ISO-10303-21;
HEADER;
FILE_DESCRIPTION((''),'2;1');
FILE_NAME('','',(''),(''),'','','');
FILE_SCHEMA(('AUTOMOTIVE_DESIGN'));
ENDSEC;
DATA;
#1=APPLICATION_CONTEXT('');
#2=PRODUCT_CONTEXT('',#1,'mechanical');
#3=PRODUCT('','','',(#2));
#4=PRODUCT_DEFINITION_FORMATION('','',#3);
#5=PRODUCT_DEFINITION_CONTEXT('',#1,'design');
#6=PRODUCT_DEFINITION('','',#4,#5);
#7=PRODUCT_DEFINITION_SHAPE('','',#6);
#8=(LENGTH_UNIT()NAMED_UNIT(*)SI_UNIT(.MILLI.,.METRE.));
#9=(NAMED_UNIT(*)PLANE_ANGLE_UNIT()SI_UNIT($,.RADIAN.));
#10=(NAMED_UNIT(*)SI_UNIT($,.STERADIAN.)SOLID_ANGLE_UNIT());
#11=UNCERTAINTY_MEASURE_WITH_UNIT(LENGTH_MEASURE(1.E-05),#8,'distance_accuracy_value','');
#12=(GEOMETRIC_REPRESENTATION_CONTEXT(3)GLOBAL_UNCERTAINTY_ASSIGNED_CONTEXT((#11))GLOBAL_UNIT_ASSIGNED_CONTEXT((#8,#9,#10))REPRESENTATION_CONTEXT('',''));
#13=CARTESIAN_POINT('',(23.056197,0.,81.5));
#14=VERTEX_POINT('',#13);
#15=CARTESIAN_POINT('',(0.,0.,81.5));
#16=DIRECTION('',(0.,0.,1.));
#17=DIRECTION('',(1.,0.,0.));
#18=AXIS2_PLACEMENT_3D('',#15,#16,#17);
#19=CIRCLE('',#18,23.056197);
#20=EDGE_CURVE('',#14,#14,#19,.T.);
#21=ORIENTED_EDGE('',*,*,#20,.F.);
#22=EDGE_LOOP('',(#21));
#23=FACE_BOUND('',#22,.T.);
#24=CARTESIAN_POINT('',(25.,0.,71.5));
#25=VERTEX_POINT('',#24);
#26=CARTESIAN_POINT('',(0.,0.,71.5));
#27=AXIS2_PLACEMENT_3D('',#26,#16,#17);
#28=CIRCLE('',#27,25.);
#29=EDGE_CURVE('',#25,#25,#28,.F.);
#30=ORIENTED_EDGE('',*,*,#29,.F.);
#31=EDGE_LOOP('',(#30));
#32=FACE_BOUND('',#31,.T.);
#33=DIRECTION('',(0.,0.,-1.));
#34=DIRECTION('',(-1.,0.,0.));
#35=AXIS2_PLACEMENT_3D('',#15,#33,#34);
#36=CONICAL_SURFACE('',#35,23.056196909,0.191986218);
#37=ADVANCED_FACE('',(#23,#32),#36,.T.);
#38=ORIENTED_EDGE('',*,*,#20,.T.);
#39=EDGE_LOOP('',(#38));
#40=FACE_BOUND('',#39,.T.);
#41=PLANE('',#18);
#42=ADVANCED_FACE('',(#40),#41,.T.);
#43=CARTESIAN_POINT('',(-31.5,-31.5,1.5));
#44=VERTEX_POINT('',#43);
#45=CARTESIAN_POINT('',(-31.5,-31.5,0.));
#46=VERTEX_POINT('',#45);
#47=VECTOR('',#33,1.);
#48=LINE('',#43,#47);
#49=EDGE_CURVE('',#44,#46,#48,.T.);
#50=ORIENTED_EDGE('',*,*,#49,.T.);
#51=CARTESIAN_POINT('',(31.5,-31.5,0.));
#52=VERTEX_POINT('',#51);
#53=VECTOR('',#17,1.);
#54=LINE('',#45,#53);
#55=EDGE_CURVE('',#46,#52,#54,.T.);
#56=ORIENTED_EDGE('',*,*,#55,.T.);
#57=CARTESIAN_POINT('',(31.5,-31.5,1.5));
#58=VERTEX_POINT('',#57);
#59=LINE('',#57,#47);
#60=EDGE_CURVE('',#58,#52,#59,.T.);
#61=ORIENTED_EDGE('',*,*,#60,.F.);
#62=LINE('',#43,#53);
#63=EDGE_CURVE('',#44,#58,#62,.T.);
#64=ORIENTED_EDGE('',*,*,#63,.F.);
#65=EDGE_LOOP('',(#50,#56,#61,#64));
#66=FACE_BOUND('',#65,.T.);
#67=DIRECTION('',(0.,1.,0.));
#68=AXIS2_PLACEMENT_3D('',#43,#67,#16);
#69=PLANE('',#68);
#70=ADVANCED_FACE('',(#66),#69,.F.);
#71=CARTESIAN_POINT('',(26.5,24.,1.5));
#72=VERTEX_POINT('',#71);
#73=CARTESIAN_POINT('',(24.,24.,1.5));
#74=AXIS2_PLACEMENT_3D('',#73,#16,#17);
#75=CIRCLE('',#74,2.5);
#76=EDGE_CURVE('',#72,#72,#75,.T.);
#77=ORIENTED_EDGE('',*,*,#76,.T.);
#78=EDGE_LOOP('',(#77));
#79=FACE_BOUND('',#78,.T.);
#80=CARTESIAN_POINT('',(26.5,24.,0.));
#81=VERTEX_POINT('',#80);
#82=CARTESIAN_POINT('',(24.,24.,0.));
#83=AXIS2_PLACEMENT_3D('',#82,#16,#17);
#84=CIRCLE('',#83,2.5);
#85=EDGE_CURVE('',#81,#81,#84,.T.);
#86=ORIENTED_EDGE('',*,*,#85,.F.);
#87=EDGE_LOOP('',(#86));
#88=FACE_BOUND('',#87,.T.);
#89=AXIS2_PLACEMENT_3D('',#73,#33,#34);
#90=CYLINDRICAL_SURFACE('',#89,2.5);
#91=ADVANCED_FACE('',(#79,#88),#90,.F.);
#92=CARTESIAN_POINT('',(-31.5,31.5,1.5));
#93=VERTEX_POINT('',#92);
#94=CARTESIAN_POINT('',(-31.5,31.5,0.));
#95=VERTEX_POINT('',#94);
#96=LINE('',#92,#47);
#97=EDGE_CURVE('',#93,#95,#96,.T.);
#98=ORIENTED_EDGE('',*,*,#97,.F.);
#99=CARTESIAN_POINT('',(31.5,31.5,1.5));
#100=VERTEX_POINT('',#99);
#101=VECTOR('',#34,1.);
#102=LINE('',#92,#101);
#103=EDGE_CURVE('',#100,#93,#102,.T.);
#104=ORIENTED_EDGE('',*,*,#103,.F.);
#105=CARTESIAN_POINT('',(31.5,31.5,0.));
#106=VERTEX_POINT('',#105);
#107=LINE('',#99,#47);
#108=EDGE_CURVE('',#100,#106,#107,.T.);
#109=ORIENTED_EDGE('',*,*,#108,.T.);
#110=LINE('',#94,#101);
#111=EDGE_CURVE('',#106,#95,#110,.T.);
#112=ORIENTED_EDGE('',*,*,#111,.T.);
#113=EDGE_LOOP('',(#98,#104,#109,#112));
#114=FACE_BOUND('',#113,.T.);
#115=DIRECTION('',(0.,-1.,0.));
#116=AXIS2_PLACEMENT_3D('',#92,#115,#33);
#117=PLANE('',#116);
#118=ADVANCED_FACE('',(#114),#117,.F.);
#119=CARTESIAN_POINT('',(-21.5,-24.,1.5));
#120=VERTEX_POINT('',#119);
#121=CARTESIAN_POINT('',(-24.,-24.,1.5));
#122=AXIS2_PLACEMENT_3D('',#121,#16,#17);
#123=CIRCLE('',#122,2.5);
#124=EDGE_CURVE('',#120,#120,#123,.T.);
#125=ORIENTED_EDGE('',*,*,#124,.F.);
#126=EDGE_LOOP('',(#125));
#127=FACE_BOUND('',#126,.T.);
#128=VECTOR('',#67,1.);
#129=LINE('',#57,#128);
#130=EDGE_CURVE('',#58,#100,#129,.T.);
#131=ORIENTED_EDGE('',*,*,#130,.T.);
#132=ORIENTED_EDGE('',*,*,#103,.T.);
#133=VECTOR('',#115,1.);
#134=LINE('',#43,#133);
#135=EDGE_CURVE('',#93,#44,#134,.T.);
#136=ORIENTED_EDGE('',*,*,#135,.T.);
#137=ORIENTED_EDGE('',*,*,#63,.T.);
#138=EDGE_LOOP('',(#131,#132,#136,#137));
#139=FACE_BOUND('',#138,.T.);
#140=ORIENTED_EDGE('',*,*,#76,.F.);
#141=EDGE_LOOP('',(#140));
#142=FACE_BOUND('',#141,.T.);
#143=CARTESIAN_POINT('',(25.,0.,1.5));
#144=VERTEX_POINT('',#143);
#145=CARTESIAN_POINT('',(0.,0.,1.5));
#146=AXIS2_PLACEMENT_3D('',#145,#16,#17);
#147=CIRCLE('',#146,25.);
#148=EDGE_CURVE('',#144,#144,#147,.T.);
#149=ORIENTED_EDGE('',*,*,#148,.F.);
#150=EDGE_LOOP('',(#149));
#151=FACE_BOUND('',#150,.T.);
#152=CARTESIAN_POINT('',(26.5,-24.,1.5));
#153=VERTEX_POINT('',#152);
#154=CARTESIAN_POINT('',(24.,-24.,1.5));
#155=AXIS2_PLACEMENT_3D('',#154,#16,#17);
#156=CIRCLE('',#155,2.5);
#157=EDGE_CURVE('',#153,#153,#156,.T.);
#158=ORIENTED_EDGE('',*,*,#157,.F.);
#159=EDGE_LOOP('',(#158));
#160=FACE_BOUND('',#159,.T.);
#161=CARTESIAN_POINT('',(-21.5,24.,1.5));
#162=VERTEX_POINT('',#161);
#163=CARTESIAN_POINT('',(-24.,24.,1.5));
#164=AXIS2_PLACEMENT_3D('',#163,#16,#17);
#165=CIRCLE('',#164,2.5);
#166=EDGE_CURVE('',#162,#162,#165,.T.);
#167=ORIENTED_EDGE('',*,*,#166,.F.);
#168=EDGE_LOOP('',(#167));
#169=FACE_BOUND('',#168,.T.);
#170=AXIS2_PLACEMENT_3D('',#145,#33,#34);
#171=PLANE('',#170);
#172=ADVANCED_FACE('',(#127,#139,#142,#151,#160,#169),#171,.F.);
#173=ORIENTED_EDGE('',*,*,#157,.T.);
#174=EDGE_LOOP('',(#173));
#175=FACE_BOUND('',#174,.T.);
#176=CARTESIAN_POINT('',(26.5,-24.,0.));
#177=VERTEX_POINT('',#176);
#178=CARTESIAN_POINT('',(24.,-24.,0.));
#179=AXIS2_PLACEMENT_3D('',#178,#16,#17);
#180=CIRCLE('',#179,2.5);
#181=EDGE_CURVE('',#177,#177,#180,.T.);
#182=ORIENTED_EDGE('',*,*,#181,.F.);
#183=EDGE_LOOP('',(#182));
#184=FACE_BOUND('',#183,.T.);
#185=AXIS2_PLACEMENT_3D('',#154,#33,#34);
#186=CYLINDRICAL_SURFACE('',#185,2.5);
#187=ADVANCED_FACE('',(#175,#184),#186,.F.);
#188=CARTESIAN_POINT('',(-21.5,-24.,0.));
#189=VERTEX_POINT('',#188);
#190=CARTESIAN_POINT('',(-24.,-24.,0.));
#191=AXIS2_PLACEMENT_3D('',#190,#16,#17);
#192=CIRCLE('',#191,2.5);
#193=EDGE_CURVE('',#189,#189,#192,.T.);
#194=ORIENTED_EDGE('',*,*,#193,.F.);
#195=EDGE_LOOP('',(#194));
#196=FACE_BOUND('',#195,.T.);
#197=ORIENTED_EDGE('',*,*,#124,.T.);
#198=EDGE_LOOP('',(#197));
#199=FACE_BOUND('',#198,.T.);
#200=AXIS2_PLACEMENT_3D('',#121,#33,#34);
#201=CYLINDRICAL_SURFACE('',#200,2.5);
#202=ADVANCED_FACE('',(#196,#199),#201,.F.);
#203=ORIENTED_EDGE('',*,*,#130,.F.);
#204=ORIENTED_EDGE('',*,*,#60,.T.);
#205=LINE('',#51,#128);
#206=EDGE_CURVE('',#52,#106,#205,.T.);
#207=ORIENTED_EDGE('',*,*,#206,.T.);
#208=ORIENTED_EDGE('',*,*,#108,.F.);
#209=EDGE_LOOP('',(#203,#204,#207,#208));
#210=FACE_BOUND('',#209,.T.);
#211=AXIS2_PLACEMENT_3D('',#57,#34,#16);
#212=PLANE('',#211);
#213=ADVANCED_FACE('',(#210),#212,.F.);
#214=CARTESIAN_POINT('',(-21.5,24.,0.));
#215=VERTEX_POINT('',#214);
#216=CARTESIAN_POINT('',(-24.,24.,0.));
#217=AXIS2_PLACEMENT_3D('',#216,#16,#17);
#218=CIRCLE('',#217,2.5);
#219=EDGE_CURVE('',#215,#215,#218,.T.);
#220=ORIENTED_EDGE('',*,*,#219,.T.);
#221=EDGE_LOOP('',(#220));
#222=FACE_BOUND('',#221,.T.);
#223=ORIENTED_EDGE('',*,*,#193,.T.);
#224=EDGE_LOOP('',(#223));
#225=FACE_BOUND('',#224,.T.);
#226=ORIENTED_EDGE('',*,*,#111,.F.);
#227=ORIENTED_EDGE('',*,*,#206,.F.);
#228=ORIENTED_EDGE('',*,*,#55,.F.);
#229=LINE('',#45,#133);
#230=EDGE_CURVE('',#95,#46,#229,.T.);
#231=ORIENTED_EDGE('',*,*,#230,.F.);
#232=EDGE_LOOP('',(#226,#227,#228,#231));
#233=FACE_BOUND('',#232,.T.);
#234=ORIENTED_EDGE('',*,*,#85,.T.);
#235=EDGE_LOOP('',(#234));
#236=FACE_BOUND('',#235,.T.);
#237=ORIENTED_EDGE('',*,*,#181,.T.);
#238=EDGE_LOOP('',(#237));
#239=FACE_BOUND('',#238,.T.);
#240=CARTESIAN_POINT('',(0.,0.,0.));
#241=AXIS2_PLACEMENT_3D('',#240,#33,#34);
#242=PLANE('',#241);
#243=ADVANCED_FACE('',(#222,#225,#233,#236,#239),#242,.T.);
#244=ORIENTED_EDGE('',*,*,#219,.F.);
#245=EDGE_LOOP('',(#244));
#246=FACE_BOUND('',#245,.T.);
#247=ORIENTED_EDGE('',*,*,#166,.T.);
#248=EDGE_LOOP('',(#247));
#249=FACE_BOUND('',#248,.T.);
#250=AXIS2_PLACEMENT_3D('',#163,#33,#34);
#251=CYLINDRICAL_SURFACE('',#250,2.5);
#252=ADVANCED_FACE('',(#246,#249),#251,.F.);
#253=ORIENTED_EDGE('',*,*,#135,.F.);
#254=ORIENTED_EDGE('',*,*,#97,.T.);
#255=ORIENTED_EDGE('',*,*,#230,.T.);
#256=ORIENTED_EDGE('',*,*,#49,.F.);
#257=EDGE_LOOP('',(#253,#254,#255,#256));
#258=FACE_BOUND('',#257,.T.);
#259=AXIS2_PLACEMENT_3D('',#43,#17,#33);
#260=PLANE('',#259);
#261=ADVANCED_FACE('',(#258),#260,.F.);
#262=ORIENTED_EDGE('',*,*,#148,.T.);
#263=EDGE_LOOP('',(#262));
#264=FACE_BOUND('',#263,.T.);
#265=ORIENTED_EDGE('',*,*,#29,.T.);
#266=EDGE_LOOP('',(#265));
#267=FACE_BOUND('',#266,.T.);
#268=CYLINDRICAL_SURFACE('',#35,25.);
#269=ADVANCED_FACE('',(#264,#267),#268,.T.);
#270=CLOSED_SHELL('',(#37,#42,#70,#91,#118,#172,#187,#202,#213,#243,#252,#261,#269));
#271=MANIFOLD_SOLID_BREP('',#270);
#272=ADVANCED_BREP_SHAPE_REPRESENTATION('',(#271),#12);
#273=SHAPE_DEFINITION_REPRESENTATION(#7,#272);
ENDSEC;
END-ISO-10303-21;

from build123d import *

# Parameters (mm, degrees)
SKETCH1_W           = 63
SKETCH1_H           = 63
SKETCH1_R           = 2.5
BOSS_EXTRUDE1_DEPTH = 1.5
SKETCH2_R           = 25
BOSS_EXTRUDE2_DEPTH = 80
CHAMFER1_SIZE       = 10
CHAMFER1_SIZE2      = 1.943803091


with BuildPart() as part:
    # Sketch1 → Boss-Extrude1 (new body)
    with BuildSketch(Plane.XY):
        Rectangle(SKETCH1_W, SKETCH1_H)
        with Locations((24, 24)):
            Circle(SKETCH1_R, mode=Mode.SUBTRACT)
        with Locations((24, -24)):
            Circle(SKETCH1_R, mode=Mode.SUBTRACT)
        with Locations((-24, -24)):
            Circle(SKETCH1_R, mode=Mode.SUBTRACT)
        with Locations((-24, 24)):
            Circle(SKETCH1_R, mode=Mode.SUBTRACT)
    extrude(amount=BOSS_EXTRUDE1_DEPTH)

    # Sketch2 → Boss-Extrude2 (add)
    with BuildSketch(Plane.XY.offset(1.5)):
        Circle(SKETCH2_R)
    extrude(amount=BOSS_EXTRUDE2_DEPTH)

    # Chamfer1
    chamfer1_edges = [part.edges().sort_by_distance(p)[0] for p in [
        (-25, 0, 81.5),
    ]]
    chamfer1_side = [part.faces().sort_by_distance(p)[0] for p in [
        (-25, 0, 41.5),
    ]]
    chamfer(chamfer1_edges, length=CHAMFER1_SIZE, length2=CHAMFER1_SIZE2, reference=chamfer1_side[0])


solid = part.part
